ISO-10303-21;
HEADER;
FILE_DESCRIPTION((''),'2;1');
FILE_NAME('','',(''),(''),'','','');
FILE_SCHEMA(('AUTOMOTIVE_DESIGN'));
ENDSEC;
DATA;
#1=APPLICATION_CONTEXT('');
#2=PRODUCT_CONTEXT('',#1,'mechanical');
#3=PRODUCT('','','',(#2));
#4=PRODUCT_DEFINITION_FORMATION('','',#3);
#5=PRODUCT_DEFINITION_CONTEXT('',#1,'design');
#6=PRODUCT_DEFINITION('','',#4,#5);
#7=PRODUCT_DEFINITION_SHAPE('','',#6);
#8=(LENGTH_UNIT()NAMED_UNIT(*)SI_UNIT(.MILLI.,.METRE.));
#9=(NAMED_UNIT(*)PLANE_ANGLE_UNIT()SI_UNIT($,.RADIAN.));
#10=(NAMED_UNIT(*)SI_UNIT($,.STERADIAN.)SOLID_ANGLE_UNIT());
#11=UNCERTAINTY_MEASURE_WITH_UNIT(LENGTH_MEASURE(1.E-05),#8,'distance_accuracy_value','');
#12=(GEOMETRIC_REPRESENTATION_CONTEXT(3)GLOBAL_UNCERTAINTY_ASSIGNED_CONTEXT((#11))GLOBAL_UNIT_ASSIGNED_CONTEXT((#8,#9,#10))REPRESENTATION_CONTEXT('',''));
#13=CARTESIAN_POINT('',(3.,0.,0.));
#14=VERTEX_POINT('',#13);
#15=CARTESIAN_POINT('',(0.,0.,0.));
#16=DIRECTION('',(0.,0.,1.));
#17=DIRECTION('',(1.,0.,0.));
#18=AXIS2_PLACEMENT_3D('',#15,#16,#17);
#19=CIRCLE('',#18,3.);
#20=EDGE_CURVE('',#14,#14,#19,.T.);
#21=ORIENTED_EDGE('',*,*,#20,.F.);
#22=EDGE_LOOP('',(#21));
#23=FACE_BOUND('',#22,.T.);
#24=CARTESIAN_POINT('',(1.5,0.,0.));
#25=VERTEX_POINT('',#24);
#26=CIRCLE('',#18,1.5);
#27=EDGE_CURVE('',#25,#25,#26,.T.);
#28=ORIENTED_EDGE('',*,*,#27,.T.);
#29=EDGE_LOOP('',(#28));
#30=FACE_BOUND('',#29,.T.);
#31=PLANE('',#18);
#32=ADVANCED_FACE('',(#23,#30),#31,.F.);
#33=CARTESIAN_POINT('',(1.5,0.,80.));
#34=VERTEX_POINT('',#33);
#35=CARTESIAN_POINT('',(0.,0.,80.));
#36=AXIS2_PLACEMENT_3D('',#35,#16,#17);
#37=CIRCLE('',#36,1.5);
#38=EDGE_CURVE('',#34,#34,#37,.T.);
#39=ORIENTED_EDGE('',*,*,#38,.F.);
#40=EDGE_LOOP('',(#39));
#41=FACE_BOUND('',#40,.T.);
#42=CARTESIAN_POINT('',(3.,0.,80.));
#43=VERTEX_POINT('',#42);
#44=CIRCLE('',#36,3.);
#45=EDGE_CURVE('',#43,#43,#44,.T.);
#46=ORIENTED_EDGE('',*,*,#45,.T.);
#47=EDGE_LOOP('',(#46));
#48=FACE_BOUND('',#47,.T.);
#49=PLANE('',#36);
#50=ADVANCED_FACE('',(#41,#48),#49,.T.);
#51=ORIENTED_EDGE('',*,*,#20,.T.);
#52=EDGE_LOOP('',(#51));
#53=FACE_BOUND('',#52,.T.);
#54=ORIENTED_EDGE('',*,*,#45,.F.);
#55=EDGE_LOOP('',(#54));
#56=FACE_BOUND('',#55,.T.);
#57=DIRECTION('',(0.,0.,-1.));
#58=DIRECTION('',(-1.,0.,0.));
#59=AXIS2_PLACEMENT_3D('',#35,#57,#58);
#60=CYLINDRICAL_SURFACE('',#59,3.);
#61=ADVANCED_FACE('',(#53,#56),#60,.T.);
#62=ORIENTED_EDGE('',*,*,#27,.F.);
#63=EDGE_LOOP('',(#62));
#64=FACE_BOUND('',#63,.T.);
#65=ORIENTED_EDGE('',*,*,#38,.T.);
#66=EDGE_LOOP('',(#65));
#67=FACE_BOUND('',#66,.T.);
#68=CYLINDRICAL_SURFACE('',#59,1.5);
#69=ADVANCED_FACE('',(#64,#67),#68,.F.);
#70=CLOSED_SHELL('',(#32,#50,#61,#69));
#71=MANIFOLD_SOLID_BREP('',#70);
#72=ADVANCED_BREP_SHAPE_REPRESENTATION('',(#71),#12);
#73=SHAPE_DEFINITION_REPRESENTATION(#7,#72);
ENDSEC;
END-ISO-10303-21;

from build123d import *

# Parameters (mm, degrees)
SKETCH_1_R      = 3
SKETCH_1_R_2    = 1.5
EXTRUDE_1_DEPTH = 80


with BuildPart() as part:
    # 草图1 → 凸台-拉伸1 (new body)
    with BuildSketch(Plane.XY):
        Circle(SKETCH_1_R)
        Circle(SKETCH_1_R_2, mode=Mode.SUBTRACT)
    extrude(amount=EXTRUDE_1_DEPTH)


solid = part.part
